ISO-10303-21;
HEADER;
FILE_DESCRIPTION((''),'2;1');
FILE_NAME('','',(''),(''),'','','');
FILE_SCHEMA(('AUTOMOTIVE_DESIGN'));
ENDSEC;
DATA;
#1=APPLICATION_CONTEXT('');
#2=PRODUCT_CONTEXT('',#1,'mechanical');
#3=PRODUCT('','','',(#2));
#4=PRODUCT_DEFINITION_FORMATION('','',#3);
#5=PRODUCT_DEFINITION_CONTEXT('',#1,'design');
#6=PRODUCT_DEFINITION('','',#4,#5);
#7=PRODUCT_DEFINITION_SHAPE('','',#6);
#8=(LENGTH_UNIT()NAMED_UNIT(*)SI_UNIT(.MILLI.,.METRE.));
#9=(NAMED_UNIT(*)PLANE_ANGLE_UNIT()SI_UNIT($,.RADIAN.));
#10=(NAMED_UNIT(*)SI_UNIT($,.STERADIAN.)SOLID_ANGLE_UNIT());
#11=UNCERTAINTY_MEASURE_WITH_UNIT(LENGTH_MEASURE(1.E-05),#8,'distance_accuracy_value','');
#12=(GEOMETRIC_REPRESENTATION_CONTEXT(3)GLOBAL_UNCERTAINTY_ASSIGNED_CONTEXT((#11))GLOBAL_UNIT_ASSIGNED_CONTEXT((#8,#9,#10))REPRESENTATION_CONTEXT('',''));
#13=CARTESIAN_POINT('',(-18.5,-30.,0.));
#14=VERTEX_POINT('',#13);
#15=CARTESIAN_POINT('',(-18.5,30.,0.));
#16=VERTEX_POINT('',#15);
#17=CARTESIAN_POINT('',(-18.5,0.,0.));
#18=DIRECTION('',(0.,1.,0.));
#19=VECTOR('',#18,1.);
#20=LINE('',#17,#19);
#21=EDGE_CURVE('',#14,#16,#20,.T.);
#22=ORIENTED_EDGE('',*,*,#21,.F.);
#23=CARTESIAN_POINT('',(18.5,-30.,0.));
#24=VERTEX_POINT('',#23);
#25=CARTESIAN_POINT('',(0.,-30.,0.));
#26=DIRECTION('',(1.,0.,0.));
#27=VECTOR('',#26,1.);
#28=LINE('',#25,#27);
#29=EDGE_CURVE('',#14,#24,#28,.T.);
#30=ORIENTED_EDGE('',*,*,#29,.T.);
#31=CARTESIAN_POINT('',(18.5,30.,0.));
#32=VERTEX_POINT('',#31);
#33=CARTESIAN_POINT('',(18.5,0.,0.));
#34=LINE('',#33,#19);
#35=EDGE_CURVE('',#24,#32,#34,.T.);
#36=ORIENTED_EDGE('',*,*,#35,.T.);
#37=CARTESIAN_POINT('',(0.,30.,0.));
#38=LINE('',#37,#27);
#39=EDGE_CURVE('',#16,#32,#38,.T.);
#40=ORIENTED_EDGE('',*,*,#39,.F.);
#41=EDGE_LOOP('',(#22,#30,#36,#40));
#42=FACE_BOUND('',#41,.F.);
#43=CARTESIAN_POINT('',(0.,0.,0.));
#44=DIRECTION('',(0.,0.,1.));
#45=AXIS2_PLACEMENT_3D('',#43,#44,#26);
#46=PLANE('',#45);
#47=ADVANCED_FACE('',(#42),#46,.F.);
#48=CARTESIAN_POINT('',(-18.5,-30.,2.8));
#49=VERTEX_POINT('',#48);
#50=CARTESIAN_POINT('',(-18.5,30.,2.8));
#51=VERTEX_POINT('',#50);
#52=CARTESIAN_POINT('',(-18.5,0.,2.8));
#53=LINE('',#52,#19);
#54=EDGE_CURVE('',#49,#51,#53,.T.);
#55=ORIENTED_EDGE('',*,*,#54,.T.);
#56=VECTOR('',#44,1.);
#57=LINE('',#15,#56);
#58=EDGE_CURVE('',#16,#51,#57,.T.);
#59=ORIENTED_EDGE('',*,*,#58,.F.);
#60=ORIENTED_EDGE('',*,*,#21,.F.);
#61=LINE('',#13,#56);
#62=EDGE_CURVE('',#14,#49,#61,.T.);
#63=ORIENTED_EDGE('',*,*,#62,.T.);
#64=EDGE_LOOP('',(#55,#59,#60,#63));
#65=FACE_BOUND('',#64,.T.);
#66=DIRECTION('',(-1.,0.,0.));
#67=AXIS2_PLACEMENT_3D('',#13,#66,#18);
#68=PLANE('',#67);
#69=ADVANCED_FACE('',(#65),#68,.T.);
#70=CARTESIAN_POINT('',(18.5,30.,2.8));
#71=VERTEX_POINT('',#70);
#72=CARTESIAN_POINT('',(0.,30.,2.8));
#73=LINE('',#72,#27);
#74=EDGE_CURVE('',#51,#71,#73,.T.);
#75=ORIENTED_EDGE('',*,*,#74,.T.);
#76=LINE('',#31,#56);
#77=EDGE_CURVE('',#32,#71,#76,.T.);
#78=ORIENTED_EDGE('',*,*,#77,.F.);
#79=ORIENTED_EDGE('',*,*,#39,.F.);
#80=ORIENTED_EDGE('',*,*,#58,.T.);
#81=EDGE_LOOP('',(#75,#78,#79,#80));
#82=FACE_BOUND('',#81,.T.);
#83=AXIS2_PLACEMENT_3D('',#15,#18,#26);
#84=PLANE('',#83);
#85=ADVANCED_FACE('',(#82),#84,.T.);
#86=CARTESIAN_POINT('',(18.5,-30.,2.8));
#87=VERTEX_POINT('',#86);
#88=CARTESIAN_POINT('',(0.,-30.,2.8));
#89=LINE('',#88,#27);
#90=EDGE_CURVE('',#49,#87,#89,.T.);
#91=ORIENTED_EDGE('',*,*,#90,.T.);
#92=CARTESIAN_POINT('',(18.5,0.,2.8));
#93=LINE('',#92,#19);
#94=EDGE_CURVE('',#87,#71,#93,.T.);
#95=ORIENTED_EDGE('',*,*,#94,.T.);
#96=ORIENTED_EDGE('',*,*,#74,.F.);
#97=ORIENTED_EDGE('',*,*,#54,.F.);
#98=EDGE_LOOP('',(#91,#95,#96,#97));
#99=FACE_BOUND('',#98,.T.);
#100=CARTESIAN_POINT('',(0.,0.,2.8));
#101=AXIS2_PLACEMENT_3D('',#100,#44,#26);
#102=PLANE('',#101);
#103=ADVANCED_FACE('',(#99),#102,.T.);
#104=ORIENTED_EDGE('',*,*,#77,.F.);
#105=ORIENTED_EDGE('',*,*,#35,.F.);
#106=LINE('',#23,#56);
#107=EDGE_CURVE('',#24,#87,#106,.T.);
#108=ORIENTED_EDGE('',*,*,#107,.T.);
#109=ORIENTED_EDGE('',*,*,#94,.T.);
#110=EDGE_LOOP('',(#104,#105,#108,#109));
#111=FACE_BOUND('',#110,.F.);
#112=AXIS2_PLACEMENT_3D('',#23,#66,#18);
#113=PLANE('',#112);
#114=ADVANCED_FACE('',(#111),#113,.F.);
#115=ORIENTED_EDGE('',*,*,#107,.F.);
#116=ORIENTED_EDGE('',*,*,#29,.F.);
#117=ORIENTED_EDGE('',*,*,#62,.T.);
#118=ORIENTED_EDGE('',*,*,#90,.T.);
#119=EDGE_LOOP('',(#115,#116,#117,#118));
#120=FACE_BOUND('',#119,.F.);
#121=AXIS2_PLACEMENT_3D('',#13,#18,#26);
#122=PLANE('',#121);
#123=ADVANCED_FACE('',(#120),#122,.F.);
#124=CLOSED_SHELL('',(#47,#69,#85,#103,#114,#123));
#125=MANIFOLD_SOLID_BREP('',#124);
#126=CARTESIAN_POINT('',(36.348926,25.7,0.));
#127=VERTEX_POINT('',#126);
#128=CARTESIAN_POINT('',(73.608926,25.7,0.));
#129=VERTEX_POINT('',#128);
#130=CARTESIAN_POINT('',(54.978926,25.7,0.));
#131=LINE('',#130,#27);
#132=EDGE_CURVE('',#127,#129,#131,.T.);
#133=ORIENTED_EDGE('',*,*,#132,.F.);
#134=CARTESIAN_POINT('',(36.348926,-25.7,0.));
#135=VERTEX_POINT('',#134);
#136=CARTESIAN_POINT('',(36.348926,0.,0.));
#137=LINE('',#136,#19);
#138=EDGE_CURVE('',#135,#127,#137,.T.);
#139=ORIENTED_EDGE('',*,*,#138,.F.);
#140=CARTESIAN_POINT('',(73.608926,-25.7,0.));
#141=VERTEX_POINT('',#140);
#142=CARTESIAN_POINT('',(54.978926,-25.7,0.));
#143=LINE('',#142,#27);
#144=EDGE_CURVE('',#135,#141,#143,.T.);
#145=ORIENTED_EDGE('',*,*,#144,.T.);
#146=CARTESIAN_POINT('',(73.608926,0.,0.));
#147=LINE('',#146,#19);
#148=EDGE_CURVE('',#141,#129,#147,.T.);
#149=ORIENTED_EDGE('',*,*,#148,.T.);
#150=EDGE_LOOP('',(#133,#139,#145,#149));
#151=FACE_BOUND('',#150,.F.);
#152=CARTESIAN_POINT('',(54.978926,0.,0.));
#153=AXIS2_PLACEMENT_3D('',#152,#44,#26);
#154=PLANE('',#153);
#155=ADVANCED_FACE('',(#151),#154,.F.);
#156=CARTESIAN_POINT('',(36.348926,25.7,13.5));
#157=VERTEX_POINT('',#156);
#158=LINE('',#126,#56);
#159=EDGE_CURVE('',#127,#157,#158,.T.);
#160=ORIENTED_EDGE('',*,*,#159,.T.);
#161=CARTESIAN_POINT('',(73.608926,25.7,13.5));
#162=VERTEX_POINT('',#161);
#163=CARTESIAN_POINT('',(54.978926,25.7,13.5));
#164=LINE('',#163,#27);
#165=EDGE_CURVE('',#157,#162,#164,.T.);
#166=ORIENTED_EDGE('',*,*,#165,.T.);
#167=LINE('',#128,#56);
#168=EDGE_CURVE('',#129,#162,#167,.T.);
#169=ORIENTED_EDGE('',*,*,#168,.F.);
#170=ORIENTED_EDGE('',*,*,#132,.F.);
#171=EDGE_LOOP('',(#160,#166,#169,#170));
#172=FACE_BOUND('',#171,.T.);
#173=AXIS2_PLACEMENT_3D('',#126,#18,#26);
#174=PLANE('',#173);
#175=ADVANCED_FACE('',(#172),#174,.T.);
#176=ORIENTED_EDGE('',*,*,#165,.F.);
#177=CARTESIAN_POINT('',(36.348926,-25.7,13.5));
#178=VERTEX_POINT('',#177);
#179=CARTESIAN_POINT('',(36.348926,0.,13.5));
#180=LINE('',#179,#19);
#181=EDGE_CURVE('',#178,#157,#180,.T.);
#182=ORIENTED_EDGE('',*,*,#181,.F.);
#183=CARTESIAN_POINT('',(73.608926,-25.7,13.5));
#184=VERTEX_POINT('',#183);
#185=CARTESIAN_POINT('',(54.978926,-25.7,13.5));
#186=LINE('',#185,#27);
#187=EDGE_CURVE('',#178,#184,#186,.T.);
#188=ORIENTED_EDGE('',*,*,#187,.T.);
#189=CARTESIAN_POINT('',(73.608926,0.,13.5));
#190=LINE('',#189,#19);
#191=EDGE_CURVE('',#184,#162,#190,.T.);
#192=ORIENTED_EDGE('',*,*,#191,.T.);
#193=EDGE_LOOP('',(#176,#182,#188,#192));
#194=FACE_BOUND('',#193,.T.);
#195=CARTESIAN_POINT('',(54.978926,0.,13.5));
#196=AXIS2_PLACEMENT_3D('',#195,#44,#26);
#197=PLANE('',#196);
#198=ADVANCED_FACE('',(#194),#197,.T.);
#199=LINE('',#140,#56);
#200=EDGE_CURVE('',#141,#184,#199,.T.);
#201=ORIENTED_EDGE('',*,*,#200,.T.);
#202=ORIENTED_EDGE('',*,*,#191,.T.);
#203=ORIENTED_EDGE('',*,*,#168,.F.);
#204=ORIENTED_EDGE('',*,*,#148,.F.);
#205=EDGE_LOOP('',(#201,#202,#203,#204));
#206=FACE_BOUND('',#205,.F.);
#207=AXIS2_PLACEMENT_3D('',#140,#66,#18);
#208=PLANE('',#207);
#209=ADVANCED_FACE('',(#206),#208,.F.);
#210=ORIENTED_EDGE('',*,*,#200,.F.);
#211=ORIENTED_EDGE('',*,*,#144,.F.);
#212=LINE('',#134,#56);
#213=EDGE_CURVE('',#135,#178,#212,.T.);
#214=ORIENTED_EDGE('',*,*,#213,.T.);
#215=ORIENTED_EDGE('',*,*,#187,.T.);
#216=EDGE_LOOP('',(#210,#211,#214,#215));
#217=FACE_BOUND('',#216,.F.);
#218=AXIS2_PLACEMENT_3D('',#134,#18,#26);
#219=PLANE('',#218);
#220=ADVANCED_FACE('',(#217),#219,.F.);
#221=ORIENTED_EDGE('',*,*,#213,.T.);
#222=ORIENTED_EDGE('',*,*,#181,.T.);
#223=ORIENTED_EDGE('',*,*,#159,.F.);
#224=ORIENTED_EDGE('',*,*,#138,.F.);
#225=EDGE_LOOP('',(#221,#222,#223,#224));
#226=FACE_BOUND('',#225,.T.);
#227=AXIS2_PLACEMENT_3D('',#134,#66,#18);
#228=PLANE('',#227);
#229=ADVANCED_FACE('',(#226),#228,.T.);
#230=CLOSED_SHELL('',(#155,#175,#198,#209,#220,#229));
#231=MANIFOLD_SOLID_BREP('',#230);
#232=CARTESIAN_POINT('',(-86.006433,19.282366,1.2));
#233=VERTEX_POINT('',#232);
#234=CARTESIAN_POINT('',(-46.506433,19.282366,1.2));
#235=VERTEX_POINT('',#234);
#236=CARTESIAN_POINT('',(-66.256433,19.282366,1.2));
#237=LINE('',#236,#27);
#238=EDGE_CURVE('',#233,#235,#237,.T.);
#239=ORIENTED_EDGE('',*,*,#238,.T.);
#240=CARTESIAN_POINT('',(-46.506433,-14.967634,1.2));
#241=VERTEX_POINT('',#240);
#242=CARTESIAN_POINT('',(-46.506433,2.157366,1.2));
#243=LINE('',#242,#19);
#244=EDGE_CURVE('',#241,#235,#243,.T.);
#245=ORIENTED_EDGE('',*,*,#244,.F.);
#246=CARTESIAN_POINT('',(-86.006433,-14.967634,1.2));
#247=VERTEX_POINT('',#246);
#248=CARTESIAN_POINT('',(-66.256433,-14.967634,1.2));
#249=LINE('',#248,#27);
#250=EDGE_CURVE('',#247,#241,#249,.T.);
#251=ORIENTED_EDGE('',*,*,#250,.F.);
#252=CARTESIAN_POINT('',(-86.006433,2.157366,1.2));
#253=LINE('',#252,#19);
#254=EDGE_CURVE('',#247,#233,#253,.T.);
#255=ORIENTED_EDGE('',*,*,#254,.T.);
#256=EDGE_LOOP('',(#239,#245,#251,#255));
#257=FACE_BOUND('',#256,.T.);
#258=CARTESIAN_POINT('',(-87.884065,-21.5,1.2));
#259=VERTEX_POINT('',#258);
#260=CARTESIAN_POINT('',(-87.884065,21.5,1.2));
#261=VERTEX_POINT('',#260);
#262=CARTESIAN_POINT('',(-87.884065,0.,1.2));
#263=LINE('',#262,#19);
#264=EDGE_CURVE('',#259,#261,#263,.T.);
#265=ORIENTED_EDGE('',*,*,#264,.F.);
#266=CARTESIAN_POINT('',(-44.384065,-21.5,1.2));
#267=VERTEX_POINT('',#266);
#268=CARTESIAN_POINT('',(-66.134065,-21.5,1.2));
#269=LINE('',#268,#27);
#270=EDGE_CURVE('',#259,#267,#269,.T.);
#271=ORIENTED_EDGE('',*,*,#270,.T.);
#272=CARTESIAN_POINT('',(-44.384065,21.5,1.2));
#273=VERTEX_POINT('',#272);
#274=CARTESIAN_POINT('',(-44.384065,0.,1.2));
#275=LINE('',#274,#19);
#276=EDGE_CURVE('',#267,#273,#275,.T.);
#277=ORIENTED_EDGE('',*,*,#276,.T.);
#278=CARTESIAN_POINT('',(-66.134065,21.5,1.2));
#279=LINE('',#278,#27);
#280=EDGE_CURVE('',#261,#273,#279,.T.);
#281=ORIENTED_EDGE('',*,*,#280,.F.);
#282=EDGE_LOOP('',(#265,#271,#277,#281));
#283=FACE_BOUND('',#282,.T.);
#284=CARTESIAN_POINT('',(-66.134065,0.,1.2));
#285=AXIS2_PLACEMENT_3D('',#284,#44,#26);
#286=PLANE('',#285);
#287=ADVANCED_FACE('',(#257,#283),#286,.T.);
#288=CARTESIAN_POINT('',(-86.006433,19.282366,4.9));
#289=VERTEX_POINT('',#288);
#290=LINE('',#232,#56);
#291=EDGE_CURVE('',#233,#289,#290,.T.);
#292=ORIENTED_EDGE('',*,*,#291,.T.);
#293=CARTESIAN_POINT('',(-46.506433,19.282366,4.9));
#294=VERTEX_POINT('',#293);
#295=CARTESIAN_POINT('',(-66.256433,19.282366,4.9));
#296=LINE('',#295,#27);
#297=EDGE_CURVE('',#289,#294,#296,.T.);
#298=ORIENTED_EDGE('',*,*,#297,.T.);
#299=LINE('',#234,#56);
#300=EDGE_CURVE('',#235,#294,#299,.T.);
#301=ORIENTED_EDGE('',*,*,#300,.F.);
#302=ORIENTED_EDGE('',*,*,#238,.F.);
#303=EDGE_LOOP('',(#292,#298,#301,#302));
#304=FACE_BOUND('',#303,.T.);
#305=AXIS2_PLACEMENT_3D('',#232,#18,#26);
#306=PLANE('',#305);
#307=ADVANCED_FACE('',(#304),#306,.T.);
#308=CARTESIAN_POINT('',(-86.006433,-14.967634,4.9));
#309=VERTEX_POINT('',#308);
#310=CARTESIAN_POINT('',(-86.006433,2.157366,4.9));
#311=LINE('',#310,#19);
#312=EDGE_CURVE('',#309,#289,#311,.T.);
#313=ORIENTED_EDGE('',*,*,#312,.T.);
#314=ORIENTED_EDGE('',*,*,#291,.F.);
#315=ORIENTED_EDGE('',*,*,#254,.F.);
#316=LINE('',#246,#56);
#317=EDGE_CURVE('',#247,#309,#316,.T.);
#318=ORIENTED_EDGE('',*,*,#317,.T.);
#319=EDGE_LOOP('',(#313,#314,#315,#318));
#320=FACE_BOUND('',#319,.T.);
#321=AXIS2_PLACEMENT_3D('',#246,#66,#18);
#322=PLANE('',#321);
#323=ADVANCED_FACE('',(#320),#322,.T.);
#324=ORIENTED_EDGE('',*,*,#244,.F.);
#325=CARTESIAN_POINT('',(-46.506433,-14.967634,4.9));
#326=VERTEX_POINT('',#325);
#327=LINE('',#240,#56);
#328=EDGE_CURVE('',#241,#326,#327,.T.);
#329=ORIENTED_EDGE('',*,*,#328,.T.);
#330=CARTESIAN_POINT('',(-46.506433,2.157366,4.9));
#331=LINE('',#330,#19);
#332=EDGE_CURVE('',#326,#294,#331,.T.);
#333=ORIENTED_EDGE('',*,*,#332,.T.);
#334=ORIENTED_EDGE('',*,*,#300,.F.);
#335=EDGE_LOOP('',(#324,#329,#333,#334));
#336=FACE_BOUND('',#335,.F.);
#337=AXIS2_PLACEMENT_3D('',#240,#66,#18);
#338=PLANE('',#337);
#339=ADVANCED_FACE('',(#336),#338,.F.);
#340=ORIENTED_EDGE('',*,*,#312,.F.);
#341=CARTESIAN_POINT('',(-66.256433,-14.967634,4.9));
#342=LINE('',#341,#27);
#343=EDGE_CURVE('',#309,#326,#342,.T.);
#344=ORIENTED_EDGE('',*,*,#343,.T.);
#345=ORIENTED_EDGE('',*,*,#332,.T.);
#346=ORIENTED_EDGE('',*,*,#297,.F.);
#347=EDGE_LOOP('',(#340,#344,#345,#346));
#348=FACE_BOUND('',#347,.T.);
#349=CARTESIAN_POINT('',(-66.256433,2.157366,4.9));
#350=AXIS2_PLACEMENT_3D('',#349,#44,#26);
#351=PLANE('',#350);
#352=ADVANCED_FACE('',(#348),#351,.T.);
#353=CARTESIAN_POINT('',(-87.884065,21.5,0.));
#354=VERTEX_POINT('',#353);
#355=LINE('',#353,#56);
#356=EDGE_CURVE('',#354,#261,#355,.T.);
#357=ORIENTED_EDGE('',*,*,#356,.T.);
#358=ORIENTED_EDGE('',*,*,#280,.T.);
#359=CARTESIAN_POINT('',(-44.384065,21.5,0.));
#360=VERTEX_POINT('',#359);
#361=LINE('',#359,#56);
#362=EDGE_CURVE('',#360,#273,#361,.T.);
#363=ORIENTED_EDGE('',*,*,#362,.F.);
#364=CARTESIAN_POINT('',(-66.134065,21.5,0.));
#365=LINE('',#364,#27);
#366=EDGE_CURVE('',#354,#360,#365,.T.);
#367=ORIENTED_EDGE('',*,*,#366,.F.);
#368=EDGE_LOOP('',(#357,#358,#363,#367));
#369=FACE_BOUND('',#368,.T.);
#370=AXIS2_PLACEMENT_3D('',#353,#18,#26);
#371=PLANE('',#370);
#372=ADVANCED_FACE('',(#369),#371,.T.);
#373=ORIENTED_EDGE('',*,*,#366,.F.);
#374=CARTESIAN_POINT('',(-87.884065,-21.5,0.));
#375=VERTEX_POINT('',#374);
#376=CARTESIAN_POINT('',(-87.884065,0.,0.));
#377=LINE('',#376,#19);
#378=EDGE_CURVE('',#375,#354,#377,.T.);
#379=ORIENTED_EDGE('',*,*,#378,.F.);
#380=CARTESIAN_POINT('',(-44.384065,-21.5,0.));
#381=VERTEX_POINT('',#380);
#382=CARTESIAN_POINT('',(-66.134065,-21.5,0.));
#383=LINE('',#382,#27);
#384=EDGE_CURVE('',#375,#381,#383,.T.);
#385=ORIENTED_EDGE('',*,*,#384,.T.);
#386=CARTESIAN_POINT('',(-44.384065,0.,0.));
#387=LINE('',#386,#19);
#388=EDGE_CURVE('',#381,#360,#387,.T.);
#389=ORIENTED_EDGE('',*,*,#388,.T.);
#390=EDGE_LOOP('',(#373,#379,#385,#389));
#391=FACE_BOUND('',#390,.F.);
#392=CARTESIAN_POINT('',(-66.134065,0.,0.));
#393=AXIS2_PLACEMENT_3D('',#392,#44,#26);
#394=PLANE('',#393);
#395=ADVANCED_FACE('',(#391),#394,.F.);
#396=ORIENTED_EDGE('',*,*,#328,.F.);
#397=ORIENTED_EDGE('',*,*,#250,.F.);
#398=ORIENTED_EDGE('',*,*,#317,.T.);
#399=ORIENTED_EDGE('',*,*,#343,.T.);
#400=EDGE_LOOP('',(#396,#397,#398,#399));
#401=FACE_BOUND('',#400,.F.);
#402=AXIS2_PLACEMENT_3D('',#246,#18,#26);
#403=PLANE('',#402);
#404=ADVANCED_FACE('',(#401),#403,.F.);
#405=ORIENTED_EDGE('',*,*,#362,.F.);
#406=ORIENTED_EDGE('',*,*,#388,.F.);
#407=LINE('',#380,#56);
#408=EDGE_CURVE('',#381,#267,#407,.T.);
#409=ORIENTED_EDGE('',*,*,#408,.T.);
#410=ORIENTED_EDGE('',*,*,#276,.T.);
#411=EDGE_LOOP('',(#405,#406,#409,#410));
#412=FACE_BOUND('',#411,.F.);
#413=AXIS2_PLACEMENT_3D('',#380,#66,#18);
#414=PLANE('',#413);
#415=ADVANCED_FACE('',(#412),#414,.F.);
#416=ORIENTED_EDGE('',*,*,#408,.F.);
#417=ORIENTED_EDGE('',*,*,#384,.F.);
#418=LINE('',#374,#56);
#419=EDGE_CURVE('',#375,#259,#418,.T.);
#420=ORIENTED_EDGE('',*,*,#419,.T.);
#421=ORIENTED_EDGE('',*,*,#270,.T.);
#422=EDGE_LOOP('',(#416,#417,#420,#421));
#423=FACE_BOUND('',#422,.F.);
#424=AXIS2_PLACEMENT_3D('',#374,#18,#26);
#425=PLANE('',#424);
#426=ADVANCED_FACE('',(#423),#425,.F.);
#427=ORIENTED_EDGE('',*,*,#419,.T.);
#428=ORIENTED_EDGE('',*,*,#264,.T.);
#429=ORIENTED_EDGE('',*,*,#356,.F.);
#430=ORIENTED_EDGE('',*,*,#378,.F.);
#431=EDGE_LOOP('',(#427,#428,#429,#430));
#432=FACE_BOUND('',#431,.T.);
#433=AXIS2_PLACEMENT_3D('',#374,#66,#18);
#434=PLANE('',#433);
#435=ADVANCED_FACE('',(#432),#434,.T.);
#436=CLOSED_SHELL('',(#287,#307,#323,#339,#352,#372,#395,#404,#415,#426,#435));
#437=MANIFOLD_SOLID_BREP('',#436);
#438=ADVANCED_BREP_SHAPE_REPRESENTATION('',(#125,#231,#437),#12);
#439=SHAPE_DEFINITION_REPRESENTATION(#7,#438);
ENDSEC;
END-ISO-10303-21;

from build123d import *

# Parameters (mm, degrees)
F0_W     = 37
F0_H     = 60
F1_DEPTH = 2.8
F2_W     = 43.5
F2_H     = 43
F3_DEPTH = 1.2
F4_W     = 37.26
F4_H     = 51.4
F5_DEPTH = 13.5
F6_W     = 39.5
F6_H     = 34.25
F7_DEPTH = 3.7


with BuildPart() as f1:
    # F0 (on Top) → F1 (new body)
    with BuildSketch(Plane.XY):
        Rectangle(F0_W, F0_H)
    extrude(amount=F1_DEPTH)


with BuildPart() as f3:
    # F2 (on Top) → F3 (new body)
    with BuildSketch(Plane.XY):
        with Locations((-66.134065, 0)):
            Rectangle(F2_W, F2_H)
    extrude(amount=F3_DEPTH)

    # F6 (on face) → F7 (join)
    with BuildSketch(Plane.XY.offset(1.2)):
        with Locations((-66.256433, 2.157366)):
            Rectangle(F6_W, F6_H)
    extrude(amount=F7_DEPTH)


with BuildPart() as f5:
    # F4 (on Top) → F5 (new body)
    with BuildSketch(Plane.XY):
        with Locations((54.978926, 0)):
            Rectangle(F4_W, F4_H)
    extrude(amount=F5_DEPTH)


solid = Compound([f1.part, f3.part, f5.part])
